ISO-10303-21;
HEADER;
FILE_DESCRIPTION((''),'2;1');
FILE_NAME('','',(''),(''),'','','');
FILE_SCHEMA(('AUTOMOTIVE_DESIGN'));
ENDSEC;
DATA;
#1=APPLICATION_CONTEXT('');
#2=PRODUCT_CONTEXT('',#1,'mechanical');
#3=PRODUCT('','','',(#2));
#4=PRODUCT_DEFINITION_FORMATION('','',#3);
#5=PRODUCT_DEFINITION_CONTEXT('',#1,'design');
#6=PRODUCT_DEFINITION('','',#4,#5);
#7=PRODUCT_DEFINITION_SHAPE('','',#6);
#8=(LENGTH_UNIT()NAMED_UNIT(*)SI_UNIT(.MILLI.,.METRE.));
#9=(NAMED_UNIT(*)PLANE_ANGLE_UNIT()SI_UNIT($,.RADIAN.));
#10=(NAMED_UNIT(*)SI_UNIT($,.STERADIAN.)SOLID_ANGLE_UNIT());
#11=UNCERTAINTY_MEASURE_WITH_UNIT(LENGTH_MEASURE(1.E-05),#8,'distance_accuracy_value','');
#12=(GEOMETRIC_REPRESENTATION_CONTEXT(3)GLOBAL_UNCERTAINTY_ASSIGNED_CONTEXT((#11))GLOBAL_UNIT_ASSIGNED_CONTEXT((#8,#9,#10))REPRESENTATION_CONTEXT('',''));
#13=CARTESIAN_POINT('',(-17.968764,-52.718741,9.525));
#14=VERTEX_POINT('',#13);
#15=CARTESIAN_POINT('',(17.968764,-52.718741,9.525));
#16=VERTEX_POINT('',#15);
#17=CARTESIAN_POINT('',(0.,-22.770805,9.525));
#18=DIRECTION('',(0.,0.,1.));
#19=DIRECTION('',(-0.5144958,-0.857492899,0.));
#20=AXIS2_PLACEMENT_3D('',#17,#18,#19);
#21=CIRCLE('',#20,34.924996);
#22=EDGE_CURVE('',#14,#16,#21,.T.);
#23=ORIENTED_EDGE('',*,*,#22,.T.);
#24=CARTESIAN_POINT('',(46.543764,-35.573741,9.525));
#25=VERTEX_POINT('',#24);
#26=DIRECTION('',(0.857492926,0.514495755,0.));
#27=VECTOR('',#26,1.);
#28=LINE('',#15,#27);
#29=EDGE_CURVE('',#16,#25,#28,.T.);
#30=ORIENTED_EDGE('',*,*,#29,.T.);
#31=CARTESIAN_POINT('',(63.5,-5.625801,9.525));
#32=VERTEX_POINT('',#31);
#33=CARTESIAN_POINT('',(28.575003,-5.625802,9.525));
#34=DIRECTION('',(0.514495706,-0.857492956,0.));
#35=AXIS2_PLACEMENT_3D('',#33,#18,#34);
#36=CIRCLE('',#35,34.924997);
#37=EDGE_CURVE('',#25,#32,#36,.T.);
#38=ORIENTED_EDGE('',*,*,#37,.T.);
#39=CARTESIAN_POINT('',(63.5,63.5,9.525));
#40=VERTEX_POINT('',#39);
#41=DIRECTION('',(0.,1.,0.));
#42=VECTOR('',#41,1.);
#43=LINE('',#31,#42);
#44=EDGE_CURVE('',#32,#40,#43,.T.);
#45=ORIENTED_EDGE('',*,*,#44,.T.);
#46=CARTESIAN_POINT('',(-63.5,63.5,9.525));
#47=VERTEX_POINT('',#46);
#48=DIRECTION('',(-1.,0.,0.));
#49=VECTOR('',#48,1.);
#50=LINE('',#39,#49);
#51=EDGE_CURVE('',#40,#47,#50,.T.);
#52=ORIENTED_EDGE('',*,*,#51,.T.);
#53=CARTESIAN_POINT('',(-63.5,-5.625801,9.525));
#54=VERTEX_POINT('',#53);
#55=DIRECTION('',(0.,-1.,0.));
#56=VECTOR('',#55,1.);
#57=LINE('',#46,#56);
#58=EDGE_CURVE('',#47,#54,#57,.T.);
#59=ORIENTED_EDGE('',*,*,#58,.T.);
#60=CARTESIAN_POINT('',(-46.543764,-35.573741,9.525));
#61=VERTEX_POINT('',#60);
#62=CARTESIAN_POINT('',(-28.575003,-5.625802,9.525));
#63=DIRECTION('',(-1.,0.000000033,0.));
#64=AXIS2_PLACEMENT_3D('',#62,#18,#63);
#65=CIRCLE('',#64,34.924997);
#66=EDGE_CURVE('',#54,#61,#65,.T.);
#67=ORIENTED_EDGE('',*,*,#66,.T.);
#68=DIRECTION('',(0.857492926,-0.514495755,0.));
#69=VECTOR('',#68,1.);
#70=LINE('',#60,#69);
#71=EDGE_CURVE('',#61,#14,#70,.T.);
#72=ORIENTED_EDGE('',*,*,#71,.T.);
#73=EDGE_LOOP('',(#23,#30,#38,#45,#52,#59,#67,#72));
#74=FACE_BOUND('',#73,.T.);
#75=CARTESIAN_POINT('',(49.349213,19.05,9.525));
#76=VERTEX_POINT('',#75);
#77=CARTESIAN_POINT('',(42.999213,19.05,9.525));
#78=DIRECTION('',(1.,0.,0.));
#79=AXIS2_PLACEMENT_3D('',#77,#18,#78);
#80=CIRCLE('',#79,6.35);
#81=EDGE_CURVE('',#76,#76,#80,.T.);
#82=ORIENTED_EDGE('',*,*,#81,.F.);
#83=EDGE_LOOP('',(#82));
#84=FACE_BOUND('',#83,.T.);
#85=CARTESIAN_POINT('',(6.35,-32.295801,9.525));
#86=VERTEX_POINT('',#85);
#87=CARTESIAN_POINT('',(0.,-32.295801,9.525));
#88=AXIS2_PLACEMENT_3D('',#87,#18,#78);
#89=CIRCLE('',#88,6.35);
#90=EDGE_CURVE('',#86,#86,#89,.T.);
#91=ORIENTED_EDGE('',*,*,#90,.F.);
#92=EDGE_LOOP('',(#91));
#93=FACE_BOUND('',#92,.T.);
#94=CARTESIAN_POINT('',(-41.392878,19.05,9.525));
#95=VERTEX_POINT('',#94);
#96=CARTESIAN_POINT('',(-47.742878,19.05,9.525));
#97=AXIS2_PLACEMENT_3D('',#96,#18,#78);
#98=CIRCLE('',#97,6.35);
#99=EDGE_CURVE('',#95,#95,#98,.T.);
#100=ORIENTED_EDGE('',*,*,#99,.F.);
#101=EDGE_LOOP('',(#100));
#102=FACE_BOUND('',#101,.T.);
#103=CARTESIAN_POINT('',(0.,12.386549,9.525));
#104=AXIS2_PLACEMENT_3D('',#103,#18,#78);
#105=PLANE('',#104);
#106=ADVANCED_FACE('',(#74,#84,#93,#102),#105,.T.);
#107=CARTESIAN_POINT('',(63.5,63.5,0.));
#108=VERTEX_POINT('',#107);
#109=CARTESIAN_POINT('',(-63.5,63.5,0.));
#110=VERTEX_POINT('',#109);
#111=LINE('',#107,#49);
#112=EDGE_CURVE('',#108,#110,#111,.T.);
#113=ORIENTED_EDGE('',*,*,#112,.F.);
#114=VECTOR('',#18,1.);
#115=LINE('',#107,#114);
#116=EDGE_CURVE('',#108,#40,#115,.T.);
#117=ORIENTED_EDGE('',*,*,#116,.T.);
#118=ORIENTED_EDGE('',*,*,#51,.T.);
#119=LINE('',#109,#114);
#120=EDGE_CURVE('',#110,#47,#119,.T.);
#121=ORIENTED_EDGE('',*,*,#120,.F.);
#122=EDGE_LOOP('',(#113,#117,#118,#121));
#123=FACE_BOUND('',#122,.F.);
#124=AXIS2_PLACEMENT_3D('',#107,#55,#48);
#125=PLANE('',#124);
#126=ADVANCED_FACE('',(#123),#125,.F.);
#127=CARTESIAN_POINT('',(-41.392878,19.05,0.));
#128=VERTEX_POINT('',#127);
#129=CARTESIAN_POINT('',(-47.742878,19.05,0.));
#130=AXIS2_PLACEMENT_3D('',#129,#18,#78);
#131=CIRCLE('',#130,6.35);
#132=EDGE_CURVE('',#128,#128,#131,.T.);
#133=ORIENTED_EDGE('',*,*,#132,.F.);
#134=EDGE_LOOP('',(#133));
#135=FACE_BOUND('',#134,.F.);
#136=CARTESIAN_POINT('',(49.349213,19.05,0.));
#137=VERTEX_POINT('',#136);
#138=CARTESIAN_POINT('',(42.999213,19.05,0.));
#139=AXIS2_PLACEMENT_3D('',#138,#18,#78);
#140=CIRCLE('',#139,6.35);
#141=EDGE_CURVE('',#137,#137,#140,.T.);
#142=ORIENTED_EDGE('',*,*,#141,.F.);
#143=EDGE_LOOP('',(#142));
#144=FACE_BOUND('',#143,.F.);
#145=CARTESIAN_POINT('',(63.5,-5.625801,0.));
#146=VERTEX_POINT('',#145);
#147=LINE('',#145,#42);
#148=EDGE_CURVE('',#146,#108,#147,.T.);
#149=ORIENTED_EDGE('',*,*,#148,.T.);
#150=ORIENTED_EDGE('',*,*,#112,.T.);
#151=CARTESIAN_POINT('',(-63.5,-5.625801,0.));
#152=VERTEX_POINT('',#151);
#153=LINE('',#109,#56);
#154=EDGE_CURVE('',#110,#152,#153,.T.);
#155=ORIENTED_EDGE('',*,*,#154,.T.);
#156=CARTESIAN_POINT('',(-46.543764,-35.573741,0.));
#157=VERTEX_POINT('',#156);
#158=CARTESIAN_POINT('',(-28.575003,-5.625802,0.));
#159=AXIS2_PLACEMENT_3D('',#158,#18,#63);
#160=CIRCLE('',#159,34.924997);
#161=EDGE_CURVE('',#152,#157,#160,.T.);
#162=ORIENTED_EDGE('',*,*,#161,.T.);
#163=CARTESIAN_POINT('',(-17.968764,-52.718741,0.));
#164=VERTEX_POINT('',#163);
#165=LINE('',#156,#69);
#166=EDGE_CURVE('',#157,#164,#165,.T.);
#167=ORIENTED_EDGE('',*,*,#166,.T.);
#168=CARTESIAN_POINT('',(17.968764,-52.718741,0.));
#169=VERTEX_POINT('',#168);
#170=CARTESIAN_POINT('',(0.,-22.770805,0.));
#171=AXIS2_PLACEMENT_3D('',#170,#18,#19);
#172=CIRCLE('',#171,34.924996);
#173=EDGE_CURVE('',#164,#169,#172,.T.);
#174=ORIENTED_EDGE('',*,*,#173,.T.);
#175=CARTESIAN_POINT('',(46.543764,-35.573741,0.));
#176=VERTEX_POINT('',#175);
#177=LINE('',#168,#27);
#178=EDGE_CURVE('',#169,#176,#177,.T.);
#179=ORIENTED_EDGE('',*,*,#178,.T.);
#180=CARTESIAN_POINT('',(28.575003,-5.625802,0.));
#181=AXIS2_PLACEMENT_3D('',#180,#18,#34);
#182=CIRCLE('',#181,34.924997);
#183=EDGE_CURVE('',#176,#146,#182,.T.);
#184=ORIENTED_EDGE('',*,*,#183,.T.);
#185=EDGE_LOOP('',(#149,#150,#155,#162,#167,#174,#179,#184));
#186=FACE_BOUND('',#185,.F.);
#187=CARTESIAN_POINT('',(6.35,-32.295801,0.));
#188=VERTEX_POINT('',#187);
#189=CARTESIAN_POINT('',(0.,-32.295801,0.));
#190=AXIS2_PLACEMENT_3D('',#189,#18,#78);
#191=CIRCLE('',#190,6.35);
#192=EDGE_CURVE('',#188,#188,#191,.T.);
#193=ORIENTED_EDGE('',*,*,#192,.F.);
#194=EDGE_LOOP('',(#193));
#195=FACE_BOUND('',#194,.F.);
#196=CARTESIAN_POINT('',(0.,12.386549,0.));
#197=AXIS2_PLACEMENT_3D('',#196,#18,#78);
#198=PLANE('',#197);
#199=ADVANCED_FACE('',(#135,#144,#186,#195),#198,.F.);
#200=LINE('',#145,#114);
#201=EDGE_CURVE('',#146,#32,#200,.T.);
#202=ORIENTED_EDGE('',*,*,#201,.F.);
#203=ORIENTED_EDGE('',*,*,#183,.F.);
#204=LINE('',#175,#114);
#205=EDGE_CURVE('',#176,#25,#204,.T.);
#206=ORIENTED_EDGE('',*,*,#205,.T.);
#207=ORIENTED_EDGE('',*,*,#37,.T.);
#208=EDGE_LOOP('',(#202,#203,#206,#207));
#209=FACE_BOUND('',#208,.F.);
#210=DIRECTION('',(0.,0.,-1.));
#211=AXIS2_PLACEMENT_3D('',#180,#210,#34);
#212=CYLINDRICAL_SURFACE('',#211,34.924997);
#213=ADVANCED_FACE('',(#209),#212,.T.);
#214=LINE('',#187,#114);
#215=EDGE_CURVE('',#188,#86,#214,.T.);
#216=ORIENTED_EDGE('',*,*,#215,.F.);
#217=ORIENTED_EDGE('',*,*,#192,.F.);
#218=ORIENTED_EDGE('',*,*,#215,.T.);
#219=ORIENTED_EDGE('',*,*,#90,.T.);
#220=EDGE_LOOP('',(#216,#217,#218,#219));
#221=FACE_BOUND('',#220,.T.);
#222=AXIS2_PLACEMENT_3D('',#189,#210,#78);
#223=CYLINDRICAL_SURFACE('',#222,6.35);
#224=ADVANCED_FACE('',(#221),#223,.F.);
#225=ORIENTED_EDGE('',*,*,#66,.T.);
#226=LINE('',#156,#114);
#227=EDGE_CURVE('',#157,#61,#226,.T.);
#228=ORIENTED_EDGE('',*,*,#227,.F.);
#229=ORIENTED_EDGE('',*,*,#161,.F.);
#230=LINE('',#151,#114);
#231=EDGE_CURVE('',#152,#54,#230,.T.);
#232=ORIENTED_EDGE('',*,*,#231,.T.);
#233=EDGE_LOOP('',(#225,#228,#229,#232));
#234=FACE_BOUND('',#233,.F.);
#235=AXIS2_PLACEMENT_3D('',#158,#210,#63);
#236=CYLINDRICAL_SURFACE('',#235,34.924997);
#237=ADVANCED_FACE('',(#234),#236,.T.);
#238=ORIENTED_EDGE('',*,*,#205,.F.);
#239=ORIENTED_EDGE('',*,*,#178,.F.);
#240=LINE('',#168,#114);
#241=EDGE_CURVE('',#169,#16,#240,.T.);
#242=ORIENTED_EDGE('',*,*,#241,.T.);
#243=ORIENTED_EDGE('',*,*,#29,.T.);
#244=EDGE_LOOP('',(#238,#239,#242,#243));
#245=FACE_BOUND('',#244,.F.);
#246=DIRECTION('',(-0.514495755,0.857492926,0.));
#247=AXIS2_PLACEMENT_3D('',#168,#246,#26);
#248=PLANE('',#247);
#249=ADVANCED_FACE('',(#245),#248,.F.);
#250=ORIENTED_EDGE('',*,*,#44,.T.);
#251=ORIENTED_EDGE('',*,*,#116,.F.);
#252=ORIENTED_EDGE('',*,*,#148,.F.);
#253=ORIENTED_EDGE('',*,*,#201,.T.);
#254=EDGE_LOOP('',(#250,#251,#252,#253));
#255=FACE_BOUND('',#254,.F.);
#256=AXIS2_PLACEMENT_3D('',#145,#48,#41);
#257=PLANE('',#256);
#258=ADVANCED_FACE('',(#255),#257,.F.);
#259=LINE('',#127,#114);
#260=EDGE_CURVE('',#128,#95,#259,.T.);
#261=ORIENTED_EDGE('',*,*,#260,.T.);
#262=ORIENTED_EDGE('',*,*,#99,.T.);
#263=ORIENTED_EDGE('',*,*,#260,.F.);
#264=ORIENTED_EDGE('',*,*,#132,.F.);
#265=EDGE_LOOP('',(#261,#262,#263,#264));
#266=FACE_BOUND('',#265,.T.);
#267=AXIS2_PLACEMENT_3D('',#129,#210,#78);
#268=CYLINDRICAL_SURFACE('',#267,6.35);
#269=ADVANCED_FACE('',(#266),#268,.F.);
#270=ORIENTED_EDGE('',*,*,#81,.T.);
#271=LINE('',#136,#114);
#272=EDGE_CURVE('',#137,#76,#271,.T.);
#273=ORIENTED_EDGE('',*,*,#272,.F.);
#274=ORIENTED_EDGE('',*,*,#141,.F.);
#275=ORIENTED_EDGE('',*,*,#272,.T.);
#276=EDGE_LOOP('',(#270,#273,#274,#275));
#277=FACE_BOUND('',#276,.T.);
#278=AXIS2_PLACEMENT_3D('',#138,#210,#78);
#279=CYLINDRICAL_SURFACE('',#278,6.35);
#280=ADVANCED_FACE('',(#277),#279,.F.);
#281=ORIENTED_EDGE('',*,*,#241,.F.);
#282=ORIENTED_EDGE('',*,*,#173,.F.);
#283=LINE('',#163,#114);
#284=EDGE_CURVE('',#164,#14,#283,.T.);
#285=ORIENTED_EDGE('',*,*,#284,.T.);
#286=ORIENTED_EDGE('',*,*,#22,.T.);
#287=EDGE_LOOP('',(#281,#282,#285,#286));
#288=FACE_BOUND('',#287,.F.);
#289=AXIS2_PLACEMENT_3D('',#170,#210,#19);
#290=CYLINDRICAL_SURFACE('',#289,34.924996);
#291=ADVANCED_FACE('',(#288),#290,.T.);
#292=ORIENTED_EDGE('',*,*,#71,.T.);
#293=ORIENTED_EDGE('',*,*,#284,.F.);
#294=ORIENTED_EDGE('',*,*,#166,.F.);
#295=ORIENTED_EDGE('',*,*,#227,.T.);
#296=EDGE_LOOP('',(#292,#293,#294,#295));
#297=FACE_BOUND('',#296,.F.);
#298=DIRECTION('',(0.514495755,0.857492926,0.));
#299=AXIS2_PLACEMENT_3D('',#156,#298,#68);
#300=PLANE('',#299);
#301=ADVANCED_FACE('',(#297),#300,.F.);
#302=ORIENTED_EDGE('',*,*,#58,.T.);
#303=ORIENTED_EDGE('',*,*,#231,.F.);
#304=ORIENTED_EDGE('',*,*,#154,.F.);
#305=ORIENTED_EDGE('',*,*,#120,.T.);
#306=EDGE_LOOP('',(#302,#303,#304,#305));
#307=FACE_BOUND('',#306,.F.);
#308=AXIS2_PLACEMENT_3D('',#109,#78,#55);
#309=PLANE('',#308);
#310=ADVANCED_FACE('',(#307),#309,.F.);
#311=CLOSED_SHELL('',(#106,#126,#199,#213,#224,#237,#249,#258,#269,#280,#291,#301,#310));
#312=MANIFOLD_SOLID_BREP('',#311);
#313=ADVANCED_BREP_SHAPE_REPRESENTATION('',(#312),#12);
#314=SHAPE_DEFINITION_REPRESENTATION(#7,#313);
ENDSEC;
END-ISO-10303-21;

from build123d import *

# Parameters (mm, degrees)
F0_R     = 6.35
F1_DEPTH = 9.525


with BuildPart() as f1:
    # F0 (on Top) → F1 (new body)
    with BuildSketch(Plane.XY):
        with BuildLine():
            Line((63.5, 63.5), (-63.5, 63.5))
            Line((-63.5, 63.5), (-63.5, -5.625801))
            ThreePointArc((-63.5, -5.625801), (-58.966732, -22.833307), (-46.543764, -35.573741))
            Line((-46.543764, -35.573741), (-17.968764, -52.718741))
            ThreePointArc((-17.968764, -52.718741), (0, -57.695801), (17.968764, -52.718741))
            Line((17.968764, -52.718741), (46.543764, -35.573741))
            ThreePointArc((46.543764, -35.573741), (58.966732, -22.833307), (63.5, -5.625801))
            Line((63.5, -5.625801), (63.5, 63.5))
        make_face()
        with Locations((0, -32.295801)):
            Circle(F0_R, mode=Mode.SUBTRACT)
        with Locations((-47.742878, 19.05)):
            Circle(F0_R, mode=Mode.SUBTRACT)
        with Locations((42.999213, 19.05)):
            Circle(F0_R, mode=Mode.SUBTRACT)
    extrude(amount=F1_DEPTH)


solid = f1.part
